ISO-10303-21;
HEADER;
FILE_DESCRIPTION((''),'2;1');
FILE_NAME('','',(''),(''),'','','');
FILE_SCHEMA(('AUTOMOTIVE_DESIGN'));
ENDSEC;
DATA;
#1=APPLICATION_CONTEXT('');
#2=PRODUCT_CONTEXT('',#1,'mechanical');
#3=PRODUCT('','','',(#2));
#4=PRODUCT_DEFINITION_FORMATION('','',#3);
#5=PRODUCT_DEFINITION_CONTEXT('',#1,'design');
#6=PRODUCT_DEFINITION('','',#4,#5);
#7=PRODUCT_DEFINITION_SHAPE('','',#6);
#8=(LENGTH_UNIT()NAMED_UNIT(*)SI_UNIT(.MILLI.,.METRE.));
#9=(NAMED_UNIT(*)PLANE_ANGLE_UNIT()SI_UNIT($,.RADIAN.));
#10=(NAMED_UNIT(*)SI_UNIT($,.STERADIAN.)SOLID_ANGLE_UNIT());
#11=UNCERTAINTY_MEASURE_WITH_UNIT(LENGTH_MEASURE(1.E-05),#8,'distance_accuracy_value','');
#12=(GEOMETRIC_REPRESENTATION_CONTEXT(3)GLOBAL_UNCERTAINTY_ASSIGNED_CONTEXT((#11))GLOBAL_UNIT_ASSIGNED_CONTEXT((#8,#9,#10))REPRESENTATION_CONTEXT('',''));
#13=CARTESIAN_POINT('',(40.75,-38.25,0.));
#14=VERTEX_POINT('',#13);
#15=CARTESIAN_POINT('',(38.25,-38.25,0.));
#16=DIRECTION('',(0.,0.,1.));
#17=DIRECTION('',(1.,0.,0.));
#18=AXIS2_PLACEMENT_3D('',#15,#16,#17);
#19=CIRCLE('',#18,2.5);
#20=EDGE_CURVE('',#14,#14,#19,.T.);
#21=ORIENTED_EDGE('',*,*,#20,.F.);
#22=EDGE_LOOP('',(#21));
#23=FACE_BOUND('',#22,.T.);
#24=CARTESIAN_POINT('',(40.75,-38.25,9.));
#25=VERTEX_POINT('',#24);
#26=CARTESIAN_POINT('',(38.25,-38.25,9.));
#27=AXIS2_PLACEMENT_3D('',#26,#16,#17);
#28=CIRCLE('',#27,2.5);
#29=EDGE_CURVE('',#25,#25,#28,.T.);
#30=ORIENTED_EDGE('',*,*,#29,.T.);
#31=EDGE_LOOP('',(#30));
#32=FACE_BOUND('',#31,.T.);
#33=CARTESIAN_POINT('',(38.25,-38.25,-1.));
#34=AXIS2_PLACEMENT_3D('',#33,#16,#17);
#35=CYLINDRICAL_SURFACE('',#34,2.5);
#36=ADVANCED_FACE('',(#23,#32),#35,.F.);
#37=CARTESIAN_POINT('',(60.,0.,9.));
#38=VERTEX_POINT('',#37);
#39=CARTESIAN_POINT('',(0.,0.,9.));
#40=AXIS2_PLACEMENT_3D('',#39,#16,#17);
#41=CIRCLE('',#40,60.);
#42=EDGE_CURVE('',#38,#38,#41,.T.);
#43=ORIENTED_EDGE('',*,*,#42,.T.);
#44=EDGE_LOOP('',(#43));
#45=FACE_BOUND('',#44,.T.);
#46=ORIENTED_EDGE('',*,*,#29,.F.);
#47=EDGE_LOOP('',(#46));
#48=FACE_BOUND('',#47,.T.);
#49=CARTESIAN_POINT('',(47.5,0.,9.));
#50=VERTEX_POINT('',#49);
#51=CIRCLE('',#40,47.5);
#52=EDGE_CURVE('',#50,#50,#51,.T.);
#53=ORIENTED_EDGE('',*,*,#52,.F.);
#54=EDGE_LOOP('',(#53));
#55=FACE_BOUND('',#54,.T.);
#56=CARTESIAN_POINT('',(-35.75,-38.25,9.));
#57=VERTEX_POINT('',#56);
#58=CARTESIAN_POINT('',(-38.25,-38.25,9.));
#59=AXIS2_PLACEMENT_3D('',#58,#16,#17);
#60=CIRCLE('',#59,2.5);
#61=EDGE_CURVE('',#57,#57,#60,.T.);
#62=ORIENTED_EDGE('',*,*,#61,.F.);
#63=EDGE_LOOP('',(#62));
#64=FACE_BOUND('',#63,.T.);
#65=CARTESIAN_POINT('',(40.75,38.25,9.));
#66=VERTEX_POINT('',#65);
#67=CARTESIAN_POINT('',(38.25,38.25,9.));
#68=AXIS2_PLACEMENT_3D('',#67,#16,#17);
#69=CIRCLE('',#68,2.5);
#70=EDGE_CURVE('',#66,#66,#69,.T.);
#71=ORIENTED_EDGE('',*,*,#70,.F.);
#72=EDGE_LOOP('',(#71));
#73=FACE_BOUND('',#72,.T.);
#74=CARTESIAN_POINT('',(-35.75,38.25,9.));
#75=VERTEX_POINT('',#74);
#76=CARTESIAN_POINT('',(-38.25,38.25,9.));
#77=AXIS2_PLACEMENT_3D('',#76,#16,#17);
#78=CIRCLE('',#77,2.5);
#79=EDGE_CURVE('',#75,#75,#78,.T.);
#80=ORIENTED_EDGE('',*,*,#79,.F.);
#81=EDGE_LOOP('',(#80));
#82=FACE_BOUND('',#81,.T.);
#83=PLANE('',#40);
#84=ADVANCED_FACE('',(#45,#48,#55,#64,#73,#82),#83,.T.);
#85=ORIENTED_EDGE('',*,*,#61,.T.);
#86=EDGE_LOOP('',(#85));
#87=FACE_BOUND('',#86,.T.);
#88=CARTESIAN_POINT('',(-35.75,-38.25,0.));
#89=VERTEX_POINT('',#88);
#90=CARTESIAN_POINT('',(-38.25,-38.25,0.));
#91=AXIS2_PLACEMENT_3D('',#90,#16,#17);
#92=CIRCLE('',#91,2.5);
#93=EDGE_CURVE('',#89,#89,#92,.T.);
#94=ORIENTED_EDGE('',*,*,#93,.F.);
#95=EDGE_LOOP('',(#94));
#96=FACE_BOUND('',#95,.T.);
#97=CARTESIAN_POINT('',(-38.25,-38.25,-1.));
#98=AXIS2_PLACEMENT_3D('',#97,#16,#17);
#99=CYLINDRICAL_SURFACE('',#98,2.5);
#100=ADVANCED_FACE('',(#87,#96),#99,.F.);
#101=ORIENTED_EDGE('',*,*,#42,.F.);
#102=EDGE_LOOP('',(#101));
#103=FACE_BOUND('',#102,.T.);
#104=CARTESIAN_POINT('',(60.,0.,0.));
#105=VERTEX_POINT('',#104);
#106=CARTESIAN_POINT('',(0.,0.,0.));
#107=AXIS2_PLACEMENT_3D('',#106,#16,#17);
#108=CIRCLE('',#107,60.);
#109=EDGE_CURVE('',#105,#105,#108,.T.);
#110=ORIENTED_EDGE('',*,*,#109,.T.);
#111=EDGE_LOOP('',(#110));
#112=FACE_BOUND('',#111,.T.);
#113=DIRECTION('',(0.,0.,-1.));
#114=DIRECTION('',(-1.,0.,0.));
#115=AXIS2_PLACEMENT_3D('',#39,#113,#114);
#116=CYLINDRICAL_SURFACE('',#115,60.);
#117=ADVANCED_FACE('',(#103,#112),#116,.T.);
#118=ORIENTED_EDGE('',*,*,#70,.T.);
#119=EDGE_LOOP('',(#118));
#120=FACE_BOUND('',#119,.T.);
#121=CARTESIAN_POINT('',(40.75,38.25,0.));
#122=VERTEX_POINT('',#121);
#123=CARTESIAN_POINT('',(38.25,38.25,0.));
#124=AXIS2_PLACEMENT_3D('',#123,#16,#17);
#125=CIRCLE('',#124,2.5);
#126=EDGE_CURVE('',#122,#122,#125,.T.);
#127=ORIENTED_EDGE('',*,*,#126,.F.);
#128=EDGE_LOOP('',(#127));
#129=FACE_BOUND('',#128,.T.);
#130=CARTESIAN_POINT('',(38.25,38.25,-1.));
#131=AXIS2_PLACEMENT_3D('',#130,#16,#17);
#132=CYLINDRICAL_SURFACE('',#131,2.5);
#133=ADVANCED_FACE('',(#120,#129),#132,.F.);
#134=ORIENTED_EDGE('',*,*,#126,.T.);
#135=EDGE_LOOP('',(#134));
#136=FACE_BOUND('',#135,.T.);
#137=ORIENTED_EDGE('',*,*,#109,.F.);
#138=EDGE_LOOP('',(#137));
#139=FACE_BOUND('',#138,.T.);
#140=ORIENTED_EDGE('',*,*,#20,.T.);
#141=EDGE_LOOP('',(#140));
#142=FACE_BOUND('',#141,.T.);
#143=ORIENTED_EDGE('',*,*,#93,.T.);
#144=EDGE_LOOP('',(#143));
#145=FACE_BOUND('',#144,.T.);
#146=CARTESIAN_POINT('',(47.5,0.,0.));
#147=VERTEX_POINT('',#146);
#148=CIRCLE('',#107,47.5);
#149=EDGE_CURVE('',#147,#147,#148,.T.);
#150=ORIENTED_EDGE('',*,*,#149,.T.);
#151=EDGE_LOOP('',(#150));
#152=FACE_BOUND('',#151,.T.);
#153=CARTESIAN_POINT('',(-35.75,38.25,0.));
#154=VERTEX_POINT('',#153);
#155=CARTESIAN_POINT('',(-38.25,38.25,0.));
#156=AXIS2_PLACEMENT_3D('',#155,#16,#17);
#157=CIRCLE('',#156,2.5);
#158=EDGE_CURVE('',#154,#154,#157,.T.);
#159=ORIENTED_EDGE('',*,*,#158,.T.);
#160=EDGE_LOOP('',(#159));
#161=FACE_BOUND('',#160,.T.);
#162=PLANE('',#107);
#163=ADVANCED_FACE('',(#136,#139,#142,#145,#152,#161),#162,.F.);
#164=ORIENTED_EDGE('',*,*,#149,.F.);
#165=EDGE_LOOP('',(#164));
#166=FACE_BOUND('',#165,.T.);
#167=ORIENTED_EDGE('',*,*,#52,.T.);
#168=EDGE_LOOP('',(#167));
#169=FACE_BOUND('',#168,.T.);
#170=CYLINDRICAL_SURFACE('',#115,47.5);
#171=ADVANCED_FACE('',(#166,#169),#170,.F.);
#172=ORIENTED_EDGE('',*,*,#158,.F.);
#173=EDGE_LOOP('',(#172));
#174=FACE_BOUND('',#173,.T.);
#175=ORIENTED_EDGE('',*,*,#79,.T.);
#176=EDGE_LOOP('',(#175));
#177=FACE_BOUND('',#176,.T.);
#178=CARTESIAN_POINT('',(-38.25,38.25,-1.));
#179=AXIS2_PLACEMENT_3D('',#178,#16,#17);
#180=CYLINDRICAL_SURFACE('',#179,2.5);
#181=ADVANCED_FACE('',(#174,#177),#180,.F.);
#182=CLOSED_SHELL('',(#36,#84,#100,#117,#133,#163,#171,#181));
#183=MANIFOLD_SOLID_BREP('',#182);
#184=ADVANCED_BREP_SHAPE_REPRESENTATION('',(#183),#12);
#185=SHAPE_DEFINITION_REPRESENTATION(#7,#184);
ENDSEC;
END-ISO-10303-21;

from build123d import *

# Parameters (mm, degrees)
SKETCH_1_R          = 60
SKETCH_1_R_2        = 47.5
EXTRUDE_1_DEPTH     = 9
SKETCH_2_R          = 2.5
CUT_EXTRUDE_1_DEPTH = 10


with BuildPart() as part:
    # 草图1 → 凸台-拉伸1 (new body)
    with BuildSketch(Plane.XY):
        Circle(SKETCH_1_R)
        Circle(SKETCH_1_R_2, mode=Mode.SUBTRACT)
    extrude(amount=EXTRUDE_1_DEPTH)

    # 草图2 → 切除-拉伸1 (cut)
    with BuildSketch(Plane.XY.offset(9)):
        with Locations((38.25, 38.25)):
            Circle(SKETCH_2_R)
        with Locations((38.25, -38.25)):
            Circle(SKETCH_2_R)
        with Locations((-38.25, -38.25)):
            Circle(SKETCH_2_R)
        with Locations((-38.25, 38.25)):
            Circle(SKETCH_2_R)
    extrude(amount=-CUT_EXTRUDE_1_DEPTH, mode=Mode.SUBTRACT)


solid = part.part
